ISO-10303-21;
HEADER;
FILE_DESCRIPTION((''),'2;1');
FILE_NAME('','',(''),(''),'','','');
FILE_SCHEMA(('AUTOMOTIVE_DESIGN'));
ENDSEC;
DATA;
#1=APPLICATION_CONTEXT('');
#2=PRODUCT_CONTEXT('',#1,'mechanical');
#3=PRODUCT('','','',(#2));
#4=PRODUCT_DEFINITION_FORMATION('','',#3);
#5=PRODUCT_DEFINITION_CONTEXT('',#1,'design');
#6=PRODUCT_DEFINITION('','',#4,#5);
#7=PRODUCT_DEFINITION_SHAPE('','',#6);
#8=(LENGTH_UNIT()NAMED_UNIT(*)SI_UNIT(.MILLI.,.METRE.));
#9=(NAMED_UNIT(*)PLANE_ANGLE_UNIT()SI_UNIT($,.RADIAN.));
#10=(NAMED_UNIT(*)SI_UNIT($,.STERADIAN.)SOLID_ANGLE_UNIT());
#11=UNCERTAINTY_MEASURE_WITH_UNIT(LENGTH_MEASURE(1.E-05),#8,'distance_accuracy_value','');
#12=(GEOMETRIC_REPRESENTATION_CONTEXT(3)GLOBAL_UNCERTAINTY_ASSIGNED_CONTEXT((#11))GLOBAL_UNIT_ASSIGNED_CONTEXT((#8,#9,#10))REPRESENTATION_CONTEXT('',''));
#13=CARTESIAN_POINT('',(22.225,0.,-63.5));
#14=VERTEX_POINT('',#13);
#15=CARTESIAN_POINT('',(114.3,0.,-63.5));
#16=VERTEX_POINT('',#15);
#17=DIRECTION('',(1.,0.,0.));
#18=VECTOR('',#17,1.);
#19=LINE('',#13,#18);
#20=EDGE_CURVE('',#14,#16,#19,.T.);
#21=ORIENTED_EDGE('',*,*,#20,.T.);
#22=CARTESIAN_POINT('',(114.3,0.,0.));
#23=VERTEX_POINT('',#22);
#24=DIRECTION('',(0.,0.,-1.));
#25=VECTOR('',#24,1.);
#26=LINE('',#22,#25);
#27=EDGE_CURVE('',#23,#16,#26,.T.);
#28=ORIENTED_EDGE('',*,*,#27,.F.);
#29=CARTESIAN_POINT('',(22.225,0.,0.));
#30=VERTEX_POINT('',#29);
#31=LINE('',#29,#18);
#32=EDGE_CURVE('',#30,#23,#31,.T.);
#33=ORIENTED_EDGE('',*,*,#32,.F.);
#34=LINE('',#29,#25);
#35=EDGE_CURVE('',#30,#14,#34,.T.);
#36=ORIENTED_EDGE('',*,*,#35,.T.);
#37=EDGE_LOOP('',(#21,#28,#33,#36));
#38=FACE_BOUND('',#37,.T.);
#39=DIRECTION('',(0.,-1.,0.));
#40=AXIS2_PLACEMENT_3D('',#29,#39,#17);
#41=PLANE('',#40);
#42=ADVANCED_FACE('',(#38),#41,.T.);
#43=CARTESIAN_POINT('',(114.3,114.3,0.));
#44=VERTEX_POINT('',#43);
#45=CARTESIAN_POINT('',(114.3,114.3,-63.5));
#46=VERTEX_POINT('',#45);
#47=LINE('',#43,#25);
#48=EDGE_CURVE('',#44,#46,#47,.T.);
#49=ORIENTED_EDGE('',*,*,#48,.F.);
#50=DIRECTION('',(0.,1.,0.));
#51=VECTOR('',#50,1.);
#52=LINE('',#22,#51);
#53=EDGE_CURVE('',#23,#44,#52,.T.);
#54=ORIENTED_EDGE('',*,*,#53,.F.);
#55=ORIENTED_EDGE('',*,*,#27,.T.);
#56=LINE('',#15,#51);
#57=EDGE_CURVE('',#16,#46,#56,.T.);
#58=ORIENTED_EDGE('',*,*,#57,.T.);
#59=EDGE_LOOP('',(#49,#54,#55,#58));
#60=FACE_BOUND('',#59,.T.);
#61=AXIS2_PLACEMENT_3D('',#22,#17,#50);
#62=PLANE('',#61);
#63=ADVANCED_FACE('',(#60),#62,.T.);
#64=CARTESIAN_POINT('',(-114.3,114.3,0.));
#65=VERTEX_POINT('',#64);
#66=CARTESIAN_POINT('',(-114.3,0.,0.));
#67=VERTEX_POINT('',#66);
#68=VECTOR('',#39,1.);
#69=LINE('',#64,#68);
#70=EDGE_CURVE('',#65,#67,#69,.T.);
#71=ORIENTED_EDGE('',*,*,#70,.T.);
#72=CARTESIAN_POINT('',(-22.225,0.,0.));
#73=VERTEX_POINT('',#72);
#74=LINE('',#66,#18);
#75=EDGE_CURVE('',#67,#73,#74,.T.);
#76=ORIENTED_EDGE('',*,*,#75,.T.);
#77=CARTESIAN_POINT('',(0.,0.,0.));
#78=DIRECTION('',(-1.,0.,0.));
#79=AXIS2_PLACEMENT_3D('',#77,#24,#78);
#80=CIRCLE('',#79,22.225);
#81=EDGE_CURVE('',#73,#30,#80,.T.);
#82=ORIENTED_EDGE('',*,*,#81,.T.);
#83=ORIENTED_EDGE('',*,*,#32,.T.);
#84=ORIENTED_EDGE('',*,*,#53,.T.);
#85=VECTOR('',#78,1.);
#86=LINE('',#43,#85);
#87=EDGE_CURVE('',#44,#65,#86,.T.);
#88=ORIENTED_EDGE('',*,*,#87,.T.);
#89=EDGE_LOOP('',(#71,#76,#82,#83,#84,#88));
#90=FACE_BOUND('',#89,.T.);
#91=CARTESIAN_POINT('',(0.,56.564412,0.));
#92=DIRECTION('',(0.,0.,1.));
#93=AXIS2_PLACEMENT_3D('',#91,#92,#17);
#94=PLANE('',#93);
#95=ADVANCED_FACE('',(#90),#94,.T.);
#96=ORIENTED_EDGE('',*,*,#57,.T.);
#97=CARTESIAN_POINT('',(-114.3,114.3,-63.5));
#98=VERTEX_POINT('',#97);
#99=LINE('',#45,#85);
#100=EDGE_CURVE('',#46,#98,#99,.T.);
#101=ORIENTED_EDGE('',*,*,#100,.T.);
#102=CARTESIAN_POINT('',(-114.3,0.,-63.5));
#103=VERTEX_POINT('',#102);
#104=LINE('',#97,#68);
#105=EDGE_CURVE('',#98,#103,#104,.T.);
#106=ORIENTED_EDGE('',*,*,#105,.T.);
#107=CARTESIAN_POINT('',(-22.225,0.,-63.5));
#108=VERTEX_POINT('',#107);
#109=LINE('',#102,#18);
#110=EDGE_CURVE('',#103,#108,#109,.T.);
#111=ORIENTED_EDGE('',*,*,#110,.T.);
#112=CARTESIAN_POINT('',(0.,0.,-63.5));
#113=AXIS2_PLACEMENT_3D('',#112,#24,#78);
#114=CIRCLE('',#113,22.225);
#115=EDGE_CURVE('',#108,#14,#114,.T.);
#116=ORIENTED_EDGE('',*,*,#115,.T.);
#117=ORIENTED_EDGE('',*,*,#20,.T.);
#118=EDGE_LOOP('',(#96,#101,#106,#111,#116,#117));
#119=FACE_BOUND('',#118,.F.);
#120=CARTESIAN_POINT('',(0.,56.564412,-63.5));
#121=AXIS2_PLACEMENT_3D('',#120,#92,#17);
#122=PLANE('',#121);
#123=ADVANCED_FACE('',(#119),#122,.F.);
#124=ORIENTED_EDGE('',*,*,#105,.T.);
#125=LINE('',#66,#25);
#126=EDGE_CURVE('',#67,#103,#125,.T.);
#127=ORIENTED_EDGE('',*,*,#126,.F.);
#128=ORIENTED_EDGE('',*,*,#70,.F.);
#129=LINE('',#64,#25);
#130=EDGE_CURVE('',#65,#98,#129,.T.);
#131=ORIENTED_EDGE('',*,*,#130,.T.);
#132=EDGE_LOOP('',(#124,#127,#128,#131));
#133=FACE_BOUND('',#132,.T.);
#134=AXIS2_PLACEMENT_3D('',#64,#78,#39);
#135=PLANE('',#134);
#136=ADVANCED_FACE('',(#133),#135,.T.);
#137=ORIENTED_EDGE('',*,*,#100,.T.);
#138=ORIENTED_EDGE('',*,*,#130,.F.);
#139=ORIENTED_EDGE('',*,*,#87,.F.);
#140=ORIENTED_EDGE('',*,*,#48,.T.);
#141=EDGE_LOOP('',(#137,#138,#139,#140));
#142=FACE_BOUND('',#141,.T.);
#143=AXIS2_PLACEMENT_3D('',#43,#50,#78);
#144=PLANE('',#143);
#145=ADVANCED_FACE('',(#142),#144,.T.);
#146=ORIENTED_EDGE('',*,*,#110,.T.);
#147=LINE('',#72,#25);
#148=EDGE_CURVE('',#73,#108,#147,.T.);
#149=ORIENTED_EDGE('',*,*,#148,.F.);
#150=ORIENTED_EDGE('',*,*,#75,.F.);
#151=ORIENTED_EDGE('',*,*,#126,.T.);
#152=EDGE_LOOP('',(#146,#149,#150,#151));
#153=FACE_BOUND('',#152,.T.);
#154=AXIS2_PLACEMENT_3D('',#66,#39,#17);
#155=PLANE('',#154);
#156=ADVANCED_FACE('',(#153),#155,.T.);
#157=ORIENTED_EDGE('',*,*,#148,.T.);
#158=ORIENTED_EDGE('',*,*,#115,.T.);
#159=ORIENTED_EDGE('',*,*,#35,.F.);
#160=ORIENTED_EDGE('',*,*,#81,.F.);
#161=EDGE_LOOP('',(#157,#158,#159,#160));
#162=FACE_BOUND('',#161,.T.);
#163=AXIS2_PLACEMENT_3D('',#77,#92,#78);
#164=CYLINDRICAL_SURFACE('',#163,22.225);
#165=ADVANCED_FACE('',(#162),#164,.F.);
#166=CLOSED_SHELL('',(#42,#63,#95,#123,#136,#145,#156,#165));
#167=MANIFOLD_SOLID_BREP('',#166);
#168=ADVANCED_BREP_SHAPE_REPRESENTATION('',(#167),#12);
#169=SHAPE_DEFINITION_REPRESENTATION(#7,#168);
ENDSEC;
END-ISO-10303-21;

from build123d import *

# Parameters (mm, degrees)
F1_DEPTH = 63.5


with BuildPart() as f1:
    # F0 (on Top) → F1 (new body)
    with BuildSketch(Plane.XY):
        with BuildLine():
            Line((114.3, 114.3), (-114.3, 114.3))
            Line((-114.3, 114.3), (-114.3, 0))
            Line((-114.3, 0), (-22.225, 0))
            ThreePointArc((-22.225, 0), (0, 22.225), (22.225, 0))
            Line((22.225, 0), (114.3, 0))
            Line((114.3, 0), (114.3, 114.3))
        make_face()
    extrude(amount=-F1_DEPTH)


solid = f1.part
